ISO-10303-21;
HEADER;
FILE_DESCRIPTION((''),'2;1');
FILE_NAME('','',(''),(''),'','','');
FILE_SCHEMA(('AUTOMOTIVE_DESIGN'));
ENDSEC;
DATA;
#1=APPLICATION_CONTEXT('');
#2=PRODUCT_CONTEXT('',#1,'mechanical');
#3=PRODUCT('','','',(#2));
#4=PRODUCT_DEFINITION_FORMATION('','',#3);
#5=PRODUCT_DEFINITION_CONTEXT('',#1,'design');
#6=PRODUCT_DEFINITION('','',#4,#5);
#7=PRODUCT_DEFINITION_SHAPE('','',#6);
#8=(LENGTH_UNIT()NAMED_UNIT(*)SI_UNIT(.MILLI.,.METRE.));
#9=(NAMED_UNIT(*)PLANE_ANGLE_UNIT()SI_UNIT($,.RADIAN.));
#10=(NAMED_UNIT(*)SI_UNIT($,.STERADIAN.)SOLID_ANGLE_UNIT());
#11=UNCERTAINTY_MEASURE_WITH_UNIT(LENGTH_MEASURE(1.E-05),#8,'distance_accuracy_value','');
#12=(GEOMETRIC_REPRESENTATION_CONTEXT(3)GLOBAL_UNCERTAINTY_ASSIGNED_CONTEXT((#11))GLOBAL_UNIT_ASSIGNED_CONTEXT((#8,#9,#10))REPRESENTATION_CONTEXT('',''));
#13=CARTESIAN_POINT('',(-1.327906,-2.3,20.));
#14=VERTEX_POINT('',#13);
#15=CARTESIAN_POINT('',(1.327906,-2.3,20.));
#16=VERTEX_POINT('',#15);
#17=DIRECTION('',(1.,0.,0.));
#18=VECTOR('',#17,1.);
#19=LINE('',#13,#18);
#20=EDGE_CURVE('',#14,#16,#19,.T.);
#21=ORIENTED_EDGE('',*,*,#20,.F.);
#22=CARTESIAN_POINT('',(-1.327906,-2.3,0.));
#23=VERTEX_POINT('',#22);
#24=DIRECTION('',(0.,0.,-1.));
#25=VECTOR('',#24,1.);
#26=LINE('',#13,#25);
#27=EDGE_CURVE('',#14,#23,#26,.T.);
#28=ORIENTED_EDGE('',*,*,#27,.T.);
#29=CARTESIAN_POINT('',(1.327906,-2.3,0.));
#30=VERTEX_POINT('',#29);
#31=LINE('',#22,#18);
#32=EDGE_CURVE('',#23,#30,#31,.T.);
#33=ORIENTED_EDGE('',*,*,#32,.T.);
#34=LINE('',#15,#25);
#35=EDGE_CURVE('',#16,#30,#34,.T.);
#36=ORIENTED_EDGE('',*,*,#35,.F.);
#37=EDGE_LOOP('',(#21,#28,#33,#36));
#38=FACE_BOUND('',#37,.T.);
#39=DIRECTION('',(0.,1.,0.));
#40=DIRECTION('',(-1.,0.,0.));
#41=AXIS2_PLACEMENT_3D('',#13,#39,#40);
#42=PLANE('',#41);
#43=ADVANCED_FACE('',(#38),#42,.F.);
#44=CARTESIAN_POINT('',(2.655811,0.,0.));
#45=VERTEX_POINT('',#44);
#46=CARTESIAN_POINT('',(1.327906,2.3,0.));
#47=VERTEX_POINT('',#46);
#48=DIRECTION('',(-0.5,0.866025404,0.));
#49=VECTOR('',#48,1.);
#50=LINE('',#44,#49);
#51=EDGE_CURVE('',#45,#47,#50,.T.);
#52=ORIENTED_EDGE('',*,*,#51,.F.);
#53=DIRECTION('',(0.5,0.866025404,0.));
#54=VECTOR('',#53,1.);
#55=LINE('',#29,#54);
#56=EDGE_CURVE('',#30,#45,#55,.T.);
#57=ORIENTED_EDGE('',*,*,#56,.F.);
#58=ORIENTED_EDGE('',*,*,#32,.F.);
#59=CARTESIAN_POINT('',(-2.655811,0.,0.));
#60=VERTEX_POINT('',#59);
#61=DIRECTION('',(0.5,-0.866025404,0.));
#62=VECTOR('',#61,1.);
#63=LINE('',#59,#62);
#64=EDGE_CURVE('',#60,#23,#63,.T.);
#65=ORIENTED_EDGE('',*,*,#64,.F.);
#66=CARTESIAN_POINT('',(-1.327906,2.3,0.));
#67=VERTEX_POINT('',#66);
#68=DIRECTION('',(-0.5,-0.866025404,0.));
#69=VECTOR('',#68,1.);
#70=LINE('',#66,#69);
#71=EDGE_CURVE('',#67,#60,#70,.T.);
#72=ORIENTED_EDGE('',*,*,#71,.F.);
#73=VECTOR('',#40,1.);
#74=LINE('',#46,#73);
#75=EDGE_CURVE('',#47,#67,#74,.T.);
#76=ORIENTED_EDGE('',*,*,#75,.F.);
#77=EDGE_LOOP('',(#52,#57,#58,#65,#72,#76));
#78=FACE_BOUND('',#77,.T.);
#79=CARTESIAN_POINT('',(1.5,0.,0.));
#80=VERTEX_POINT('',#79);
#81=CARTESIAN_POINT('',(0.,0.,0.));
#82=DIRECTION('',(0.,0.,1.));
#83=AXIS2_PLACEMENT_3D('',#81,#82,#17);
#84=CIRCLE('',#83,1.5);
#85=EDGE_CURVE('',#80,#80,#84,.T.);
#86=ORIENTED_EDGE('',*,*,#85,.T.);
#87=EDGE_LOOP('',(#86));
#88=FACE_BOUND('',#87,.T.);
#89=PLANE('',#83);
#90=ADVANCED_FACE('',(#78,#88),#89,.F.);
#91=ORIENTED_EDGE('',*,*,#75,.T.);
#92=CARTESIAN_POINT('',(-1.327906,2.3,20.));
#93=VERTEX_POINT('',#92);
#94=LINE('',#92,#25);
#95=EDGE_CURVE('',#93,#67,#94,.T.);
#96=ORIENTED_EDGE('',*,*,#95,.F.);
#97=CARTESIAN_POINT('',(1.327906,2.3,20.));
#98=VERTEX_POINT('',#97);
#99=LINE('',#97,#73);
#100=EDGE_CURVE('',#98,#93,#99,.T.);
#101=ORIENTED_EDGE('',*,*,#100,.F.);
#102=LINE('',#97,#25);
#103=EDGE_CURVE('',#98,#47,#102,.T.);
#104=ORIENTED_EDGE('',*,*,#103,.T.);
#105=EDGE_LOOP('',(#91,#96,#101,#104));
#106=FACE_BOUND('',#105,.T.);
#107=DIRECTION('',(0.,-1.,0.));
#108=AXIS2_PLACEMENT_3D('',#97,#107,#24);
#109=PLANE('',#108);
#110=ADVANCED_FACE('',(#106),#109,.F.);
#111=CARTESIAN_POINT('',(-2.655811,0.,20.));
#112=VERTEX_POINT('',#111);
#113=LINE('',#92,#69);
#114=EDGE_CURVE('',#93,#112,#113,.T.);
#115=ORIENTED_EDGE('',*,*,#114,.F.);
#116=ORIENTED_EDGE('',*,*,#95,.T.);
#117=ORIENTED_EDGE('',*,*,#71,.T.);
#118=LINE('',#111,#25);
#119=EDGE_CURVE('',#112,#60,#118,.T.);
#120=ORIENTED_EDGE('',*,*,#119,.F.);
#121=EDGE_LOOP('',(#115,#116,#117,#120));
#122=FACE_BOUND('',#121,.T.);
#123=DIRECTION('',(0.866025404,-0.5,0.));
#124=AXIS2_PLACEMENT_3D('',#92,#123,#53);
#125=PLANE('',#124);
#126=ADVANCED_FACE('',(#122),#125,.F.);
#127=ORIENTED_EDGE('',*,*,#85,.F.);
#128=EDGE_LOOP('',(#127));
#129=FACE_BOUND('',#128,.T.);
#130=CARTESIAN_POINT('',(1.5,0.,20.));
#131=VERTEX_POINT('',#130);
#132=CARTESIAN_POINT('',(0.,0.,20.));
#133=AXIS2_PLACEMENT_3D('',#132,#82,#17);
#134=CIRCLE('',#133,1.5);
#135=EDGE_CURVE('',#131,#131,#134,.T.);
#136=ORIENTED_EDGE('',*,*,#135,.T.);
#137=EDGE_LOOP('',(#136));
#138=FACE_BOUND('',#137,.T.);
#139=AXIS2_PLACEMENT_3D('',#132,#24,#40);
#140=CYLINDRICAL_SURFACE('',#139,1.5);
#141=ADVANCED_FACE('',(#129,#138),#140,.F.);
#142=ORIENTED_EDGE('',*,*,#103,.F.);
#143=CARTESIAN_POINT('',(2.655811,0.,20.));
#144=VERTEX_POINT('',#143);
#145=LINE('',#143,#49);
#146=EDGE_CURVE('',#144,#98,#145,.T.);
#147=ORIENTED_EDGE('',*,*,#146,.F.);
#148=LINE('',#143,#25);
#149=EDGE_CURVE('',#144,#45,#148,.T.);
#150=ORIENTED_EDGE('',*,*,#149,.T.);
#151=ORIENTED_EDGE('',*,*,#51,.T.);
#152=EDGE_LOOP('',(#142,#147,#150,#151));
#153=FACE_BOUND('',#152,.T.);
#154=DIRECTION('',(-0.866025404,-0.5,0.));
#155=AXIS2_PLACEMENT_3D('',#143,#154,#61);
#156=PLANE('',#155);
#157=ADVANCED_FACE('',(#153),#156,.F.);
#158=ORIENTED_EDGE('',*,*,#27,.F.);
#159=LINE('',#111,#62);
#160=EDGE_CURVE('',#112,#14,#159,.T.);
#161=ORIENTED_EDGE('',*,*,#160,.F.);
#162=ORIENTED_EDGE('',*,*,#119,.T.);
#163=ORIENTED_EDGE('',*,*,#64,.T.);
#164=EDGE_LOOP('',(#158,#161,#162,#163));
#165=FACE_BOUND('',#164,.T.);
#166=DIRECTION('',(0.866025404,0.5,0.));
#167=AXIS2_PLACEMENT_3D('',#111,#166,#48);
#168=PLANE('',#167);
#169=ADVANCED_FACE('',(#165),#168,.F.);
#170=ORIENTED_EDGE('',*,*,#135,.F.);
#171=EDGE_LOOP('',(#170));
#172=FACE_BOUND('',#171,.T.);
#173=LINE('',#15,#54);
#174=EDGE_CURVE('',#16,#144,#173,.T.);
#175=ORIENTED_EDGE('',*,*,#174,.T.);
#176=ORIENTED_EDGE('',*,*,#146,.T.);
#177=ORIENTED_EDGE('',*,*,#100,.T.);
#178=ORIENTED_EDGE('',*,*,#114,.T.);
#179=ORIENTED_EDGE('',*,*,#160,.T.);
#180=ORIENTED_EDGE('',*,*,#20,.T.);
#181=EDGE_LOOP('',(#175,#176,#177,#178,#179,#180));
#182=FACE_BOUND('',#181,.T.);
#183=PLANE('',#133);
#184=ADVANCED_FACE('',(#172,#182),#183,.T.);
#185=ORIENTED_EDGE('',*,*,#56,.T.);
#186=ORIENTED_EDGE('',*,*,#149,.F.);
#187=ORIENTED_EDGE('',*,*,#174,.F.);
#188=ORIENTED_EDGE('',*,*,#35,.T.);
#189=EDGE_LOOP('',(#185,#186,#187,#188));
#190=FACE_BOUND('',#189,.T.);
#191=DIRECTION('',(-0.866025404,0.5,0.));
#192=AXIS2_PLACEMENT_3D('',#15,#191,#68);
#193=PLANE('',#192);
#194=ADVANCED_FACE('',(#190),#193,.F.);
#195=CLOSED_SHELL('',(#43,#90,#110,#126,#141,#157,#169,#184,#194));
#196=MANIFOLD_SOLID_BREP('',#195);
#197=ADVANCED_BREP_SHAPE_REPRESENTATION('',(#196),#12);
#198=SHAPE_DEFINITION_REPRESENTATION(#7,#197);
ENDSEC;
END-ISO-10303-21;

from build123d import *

# Parameters (mm, degrees)
SKETCH_1_R      = 1.5
EXTRUDE_1_DEPTH = 20


with BuildPart() as part:
    # 草图1 → 凸台-拉伸1 (new body)
    with BuildSketch(Plane.XY):
        Polygon((2.655811238, 0), (1.327905619, 2.3), (-1.327905619, 2.3), (-2.655811238, 0), (-1.327905619, -2.3), (1.327905619, -2.3), align=None)
        Circle(SKETCH_1_R, mode=Mode.SUBTRACT)
    extrude(amount=EXTRUDE_1_DEPTH)


solid = part.part
